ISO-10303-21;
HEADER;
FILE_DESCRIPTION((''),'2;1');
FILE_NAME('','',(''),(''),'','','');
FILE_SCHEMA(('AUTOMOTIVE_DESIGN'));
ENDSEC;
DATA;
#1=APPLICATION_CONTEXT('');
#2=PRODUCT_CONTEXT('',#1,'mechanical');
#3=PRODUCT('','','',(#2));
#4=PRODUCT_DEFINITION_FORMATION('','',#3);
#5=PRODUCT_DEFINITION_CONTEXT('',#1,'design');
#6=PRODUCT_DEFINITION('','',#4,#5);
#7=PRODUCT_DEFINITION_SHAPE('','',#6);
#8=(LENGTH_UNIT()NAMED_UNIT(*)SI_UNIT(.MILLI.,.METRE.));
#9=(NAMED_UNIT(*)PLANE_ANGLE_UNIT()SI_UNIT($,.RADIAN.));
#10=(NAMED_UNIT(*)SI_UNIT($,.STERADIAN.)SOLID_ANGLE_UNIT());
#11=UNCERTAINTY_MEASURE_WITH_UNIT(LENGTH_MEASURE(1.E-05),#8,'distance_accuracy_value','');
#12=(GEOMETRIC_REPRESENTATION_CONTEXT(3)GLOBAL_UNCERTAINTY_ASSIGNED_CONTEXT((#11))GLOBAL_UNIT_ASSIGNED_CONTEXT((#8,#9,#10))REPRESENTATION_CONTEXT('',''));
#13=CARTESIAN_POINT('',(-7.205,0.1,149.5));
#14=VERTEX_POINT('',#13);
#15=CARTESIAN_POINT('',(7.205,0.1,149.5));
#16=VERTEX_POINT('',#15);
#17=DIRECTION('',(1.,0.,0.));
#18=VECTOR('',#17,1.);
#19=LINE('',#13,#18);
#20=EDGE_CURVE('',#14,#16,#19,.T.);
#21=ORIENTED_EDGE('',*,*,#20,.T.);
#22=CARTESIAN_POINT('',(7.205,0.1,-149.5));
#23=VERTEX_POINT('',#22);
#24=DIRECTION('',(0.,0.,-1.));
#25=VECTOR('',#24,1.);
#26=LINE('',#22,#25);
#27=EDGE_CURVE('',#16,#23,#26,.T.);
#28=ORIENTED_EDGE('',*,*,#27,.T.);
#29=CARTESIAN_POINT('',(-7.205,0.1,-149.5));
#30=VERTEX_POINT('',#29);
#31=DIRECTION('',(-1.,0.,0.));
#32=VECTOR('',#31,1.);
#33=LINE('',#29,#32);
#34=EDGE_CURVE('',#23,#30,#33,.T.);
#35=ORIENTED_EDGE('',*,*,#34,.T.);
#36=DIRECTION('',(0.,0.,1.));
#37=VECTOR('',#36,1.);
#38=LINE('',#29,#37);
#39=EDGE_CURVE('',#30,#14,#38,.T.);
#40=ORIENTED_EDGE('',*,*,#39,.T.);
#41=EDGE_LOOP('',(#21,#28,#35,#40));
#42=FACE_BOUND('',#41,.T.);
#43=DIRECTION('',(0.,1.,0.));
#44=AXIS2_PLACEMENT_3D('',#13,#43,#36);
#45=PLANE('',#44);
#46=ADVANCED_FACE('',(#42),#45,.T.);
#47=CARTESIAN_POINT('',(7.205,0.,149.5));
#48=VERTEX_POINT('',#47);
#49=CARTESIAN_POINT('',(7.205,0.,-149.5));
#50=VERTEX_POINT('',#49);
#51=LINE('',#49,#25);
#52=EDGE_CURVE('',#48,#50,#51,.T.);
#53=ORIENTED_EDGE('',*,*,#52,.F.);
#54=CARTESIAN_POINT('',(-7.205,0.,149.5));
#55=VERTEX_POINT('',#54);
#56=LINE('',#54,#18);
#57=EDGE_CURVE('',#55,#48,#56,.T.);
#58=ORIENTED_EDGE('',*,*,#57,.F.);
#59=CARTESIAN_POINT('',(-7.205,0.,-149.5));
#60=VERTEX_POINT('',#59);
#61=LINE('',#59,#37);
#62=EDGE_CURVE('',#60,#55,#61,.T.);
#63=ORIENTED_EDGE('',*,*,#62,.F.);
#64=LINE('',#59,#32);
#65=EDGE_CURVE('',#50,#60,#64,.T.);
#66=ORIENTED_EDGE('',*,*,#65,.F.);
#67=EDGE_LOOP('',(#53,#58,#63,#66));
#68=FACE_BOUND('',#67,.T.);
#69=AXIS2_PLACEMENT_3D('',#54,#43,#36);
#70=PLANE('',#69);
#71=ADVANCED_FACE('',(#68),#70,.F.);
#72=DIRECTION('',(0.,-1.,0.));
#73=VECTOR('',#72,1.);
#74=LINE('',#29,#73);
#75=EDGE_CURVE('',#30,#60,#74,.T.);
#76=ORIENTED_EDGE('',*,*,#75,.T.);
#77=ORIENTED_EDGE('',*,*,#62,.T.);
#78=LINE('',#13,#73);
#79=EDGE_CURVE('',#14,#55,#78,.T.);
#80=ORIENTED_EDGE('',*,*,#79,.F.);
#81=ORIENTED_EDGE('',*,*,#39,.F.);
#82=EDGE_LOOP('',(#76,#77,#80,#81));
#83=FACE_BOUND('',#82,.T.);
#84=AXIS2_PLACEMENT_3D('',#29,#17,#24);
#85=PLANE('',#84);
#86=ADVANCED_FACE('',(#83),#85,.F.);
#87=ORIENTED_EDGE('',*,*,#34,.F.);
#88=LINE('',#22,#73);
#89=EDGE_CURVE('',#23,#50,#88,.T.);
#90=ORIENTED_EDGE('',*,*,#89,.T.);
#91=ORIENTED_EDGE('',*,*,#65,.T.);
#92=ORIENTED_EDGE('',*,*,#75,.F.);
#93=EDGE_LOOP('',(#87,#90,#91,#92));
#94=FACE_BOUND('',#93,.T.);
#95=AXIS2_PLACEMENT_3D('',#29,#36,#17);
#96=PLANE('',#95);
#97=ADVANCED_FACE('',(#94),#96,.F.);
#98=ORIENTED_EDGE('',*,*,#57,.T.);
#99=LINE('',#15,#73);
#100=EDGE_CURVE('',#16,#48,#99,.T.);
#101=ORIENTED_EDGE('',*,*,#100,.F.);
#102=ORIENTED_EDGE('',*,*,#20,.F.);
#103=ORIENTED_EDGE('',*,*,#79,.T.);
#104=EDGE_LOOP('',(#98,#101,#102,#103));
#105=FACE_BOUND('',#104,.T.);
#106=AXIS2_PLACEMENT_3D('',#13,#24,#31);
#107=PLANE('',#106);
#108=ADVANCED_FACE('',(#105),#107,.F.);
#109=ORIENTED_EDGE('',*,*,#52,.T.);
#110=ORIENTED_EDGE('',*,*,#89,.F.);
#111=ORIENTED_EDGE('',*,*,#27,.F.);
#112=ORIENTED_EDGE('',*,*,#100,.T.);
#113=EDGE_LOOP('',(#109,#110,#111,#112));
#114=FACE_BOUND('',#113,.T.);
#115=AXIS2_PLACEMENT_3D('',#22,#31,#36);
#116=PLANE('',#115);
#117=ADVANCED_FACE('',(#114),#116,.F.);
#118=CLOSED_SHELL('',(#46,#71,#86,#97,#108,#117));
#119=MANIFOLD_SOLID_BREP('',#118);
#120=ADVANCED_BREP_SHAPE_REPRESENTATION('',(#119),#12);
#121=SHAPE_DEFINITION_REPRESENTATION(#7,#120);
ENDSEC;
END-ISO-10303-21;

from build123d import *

# Parameters (mm, degrees)
SKETCH1_W      = 14.41
SKETCH1_H      = 299
EXTRUDE1_DEPTH = 0.1


with BuildPart() as part:
    # Sketch1 → Extrude1 (new body)
    with BuildSketch(Plane(origin=(0, 0, 0), x_dir=(1, 0, 0), z_dir=(0, 1, 0))):
        Rectangle(SKETCH1_W, SKETCH1_H)
    extrude(amount=EXTRUDE1_DEPTH)


solid = part.part
